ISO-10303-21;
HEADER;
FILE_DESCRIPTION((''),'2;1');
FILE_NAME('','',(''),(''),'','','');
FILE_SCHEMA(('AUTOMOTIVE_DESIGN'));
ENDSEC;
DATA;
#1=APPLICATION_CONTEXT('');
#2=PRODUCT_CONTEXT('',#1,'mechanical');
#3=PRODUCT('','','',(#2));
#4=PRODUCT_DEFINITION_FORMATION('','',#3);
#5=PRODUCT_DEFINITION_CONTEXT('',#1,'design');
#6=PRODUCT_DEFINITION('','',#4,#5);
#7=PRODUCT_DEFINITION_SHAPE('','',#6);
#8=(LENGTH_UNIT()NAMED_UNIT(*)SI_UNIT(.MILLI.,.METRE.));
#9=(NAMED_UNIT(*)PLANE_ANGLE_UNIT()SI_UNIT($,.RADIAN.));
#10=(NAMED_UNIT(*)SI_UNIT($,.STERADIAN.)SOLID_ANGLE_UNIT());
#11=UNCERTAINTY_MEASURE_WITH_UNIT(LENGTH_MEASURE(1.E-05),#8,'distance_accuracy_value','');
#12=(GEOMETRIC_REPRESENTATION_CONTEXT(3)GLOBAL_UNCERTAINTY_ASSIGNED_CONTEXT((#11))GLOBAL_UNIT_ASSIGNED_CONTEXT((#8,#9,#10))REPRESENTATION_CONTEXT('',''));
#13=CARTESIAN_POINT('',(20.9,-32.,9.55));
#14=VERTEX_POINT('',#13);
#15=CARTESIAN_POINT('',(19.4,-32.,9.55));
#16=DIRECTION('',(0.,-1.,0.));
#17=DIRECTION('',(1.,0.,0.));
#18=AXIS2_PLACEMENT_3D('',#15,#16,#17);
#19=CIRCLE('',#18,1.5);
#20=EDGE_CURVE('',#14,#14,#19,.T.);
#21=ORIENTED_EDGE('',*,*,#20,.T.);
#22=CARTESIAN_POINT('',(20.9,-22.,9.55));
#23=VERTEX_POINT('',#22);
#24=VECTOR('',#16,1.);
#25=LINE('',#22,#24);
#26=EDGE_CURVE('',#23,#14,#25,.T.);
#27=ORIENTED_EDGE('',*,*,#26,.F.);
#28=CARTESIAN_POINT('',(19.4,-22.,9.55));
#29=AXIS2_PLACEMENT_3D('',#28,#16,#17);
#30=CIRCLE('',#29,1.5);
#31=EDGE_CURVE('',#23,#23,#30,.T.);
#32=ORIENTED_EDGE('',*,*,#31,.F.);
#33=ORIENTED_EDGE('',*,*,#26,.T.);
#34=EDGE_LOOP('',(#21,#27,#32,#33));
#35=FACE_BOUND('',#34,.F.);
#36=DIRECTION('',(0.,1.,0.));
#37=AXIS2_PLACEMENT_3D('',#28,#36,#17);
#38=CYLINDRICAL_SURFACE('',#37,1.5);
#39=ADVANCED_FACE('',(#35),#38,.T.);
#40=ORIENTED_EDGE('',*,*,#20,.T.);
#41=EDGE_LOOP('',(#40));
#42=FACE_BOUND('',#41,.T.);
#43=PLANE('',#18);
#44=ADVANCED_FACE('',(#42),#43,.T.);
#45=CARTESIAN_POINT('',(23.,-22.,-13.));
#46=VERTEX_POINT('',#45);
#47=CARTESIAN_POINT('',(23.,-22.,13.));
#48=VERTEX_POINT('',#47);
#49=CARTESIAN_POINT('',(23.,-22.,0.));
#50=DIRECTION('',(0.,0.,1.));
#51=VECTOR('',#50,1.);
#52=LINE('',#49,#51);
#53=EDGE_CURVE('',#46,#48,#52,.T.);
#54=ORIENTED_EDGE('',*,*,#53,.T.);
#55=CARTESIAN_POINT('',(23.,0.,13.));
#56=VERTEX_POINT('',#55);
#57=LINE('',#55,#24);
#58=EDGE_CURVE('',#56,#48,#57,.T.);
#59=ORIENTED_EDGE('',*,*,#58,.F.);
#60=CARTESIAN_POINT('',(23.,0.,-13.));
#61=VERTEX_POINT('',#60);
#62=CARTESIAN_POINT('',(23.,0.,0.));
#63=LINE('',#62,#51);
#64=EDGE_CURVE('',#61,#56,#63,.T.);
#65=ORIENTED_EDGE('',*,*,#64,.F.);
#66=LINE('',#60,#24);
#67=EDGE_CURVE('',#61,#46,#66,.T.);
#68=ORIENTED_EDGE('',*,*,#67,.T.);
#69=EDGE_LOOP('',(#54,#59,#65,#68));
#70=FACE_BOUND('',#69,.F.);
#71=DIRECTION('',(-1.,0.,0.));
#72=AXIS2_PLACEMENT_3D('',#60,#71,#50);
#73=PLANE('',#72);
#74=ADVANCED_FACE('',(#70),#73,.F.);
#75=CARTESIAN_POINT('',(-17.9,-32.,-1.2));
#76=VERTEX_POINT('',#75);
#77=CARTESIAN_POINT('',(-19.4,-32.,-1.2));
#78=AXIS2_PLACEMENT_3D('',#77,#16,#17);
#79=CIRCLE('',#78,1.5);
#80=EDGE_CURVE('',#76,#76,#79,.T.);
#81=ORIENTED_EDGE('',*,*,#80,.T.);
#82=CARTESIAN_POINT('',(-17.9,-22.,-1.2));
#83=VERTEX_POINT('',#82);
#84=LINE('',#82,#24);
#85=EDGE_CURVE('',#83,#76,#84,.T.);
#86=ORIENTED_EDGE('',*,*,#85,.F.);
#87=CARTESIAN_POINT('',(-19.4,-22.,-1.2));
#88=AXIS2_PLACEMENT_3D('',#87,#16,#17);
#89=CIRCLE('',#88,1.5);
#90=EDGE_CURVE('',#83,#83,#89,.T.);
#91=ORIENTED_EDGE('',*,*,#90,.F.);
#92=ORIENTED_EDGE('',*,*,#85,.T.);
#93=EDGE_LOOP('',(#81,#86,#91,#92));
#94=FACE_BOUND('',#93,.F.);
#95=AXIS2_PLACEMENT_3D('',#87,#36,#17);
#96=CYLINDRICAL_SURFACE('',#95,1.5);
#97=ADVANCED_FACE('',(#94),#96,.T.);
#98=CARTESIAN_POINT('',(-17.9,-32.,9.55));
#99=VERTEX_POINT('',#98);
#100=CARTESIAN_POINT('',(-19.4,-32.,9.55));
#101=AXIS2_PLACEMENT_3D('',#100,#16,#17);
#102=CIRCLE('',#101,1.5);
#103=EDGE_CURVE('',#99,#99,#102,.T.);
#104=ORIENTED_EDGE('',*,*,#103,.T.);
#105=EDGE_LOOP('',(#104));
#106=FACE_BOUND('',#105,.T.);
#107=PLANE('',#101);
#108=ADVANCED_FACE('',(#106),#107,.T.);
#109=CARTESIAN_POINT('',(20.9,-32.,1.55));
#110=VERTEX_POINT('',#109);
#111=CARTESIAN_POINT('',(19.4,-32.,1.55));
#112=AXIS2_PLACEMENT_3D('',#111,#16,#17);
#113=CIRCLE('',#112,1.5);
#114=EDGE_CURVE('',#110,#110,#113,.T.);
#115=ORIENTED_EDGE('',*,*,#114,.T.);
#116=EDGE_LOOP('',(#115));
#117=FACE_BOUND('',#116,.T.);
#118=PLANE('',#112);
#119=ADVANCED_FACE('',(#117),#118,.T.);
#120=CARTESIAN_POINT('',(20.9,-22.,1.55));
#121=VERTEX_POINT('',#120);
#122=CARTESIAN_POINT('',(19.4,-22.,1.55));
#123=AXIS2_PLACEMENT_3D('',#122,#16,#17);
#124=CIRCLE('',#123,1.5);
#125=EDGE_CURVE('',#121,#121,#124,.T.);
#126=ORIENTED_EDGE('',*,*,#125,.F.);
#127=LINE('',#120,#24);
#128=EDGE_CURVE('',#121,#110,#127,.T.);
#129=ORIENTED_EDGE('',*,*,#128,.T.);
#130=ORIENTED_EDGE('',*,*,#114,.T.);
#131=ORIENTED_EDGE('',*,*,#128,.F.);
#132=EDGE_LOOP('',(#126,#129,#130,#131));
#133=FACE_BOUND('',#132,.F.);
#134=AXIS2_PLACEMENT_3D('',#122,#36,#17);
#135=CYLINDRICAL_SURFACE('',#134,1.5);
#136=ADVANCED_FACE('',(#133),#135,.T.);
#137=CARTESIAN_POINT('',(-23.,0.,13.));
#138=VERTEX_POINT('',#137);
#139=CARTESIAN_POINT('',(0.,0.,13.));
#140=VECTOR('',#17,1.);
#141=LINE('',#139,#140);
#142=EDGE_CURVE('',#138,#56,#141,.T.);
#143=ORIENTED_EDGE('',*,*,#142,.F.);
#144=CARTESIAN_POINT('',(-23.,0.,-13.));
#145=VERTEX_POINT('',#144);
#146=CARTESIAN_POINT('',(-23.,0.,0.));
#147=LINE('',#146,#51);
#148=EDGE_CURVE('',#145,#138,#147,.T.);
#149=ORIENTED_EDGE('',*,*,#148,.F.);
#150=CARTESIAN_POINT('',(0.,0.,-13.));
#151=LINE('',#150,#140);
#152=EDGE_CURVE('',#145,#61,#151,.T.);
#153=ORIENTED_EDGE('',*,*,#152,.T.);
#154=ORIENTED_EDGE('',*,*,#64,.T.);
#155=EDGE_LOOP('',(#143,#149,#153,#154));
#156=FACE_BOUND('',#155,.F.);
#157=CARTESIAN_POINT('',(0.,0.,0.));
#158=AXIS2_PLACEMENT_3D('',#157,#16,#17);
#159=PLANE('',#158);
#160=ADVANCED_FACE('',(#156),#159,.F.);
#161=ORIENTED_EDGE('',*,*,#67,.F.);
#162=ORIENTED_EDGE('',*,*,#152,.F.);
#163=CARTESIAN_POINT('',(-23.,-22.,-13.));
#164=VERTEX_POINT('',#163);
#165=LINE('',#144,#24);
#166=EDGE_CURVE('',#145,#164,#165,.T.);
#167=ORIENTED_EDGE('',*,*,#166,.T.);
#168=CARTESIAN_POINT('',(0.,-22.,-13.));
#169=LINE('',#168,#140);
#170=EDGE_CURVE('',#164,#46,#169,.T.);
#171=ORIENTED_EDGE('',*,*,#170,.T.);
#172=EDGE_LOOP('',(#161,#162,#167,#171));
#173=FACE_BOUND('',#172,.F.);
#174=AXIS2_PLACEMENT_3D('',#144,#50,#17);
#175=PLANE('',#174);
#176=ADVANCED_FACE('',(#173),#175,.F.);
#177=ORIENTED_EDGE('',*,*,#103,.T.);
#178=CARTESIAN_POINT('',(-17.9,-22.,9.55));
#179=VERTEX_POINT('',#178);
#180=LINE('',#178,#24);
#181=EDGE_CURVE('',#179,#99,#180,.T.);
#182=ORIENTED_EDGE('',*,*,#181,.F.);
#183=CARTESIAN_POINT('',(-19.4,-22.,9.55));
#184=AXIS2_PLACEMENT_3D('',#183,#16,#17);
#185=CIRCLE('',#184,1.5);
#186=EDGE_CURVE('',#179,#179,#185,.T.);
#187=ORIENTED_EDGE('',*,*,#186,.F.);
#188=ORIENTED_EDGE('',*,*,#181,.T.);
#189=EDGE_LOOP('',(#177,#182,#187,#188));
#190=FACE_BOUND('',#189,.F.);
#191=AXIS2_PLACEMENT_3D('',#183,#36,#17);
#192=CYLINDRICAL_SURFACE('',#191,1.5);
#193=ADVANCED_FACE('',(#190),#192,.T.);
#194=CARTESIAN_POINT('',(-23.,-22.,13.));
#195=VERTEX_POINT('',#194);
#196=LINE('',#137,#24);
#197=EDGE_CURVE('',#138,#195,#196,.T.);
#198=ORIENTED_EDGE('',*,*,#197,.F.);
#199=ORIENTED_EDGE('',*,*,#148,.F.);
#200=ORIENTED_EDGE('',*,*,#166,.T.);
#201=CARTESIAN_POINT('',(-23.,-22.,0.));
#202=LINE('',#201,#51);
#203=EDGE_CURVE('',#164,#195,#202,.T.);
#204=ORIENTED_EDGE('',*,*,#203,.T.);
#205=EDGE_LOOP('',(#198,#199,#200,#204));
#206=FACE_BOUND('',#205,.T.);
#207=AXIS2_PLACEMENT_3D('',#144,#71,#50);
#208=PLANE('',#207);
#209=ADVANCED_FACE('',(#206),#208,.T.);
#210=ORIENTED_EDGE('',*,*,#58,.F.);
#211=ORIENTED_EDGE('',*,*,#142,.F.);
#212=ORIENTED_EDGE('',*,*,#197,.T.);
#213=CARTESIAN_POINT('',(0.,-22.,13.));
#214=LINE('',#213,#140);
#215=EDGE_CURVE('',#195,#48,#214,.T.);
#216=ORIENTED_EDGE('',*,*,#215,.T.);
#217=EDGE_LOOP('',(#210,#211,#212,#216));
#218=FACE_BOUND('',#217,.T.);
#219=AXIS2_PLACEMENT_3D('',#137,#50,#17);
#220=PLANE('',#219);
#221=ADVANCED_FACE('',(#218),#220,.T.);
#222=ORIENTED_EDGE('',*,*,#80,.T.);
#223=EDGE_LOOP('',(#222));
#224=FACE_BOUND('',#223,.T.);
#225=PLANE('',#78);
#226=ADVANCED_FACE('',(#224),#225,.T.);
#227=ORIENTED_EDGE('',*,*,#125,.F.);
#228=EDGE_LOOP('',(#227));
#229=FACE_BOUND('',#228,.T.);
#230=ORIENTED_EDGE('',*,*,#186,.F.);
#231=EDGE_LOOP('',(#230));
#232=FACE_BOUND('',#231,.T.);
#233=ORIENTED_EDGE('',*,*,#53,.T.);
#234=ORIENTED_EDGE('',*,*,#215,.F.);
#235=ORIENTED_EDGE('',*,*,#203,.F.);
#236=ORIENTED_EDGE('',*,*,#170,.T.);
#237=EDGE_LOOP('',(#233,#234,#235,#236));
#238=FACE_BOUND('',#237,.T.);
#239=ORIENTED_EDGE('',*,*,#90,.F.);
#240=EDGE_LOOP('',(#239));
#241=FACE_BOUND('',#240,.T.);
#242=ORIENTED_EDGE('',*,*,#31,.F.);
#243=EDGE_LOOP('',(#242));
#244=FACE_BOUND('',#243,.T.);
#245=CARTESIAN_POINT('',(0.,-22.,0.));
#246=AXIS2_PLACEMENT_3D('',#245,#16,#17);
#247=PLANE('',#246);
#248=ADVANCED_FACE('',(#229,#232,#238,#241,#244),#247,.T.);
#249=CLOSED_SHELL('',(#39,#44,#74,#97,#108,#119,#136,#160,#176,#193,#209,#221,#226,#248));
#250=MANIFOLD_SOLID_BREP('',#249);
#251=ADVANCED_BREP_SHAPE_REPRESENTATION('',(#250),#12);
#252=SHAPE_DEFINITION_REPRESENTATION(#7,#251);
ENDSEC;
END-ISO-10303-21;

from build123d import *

# Parameters (mm, degrees)
F0_W     = 46
F0_H     = 26
F1_DEPTH = 22
F2_R     = 1.5
F3_DEPTH = 10


with BuildPart() as f1:
    # F0 (on Front) → F1 (new body)
    with BuildSketch(Plane.XZ):
        Rectangle(F0_W, F0_H)
    extrude(amount=F1_DEPTH)

    # F2 (on face) → F3 (join)
    with BuildSketch(Plane.XZ.offset(22)):
        with Locations((-19.4, 9.55)):
            Circle(F2_R)
        with Locations((-19.4, -1.2)):
            Circle(F2_R)
        with Locations((19.4, 9.55)):
            Circle(F2_R)
        with Locations((19.4, 1.55)):
            Circle(F2_R)
    extrude(amount=F3_DEPTH)


solid = f1.part
